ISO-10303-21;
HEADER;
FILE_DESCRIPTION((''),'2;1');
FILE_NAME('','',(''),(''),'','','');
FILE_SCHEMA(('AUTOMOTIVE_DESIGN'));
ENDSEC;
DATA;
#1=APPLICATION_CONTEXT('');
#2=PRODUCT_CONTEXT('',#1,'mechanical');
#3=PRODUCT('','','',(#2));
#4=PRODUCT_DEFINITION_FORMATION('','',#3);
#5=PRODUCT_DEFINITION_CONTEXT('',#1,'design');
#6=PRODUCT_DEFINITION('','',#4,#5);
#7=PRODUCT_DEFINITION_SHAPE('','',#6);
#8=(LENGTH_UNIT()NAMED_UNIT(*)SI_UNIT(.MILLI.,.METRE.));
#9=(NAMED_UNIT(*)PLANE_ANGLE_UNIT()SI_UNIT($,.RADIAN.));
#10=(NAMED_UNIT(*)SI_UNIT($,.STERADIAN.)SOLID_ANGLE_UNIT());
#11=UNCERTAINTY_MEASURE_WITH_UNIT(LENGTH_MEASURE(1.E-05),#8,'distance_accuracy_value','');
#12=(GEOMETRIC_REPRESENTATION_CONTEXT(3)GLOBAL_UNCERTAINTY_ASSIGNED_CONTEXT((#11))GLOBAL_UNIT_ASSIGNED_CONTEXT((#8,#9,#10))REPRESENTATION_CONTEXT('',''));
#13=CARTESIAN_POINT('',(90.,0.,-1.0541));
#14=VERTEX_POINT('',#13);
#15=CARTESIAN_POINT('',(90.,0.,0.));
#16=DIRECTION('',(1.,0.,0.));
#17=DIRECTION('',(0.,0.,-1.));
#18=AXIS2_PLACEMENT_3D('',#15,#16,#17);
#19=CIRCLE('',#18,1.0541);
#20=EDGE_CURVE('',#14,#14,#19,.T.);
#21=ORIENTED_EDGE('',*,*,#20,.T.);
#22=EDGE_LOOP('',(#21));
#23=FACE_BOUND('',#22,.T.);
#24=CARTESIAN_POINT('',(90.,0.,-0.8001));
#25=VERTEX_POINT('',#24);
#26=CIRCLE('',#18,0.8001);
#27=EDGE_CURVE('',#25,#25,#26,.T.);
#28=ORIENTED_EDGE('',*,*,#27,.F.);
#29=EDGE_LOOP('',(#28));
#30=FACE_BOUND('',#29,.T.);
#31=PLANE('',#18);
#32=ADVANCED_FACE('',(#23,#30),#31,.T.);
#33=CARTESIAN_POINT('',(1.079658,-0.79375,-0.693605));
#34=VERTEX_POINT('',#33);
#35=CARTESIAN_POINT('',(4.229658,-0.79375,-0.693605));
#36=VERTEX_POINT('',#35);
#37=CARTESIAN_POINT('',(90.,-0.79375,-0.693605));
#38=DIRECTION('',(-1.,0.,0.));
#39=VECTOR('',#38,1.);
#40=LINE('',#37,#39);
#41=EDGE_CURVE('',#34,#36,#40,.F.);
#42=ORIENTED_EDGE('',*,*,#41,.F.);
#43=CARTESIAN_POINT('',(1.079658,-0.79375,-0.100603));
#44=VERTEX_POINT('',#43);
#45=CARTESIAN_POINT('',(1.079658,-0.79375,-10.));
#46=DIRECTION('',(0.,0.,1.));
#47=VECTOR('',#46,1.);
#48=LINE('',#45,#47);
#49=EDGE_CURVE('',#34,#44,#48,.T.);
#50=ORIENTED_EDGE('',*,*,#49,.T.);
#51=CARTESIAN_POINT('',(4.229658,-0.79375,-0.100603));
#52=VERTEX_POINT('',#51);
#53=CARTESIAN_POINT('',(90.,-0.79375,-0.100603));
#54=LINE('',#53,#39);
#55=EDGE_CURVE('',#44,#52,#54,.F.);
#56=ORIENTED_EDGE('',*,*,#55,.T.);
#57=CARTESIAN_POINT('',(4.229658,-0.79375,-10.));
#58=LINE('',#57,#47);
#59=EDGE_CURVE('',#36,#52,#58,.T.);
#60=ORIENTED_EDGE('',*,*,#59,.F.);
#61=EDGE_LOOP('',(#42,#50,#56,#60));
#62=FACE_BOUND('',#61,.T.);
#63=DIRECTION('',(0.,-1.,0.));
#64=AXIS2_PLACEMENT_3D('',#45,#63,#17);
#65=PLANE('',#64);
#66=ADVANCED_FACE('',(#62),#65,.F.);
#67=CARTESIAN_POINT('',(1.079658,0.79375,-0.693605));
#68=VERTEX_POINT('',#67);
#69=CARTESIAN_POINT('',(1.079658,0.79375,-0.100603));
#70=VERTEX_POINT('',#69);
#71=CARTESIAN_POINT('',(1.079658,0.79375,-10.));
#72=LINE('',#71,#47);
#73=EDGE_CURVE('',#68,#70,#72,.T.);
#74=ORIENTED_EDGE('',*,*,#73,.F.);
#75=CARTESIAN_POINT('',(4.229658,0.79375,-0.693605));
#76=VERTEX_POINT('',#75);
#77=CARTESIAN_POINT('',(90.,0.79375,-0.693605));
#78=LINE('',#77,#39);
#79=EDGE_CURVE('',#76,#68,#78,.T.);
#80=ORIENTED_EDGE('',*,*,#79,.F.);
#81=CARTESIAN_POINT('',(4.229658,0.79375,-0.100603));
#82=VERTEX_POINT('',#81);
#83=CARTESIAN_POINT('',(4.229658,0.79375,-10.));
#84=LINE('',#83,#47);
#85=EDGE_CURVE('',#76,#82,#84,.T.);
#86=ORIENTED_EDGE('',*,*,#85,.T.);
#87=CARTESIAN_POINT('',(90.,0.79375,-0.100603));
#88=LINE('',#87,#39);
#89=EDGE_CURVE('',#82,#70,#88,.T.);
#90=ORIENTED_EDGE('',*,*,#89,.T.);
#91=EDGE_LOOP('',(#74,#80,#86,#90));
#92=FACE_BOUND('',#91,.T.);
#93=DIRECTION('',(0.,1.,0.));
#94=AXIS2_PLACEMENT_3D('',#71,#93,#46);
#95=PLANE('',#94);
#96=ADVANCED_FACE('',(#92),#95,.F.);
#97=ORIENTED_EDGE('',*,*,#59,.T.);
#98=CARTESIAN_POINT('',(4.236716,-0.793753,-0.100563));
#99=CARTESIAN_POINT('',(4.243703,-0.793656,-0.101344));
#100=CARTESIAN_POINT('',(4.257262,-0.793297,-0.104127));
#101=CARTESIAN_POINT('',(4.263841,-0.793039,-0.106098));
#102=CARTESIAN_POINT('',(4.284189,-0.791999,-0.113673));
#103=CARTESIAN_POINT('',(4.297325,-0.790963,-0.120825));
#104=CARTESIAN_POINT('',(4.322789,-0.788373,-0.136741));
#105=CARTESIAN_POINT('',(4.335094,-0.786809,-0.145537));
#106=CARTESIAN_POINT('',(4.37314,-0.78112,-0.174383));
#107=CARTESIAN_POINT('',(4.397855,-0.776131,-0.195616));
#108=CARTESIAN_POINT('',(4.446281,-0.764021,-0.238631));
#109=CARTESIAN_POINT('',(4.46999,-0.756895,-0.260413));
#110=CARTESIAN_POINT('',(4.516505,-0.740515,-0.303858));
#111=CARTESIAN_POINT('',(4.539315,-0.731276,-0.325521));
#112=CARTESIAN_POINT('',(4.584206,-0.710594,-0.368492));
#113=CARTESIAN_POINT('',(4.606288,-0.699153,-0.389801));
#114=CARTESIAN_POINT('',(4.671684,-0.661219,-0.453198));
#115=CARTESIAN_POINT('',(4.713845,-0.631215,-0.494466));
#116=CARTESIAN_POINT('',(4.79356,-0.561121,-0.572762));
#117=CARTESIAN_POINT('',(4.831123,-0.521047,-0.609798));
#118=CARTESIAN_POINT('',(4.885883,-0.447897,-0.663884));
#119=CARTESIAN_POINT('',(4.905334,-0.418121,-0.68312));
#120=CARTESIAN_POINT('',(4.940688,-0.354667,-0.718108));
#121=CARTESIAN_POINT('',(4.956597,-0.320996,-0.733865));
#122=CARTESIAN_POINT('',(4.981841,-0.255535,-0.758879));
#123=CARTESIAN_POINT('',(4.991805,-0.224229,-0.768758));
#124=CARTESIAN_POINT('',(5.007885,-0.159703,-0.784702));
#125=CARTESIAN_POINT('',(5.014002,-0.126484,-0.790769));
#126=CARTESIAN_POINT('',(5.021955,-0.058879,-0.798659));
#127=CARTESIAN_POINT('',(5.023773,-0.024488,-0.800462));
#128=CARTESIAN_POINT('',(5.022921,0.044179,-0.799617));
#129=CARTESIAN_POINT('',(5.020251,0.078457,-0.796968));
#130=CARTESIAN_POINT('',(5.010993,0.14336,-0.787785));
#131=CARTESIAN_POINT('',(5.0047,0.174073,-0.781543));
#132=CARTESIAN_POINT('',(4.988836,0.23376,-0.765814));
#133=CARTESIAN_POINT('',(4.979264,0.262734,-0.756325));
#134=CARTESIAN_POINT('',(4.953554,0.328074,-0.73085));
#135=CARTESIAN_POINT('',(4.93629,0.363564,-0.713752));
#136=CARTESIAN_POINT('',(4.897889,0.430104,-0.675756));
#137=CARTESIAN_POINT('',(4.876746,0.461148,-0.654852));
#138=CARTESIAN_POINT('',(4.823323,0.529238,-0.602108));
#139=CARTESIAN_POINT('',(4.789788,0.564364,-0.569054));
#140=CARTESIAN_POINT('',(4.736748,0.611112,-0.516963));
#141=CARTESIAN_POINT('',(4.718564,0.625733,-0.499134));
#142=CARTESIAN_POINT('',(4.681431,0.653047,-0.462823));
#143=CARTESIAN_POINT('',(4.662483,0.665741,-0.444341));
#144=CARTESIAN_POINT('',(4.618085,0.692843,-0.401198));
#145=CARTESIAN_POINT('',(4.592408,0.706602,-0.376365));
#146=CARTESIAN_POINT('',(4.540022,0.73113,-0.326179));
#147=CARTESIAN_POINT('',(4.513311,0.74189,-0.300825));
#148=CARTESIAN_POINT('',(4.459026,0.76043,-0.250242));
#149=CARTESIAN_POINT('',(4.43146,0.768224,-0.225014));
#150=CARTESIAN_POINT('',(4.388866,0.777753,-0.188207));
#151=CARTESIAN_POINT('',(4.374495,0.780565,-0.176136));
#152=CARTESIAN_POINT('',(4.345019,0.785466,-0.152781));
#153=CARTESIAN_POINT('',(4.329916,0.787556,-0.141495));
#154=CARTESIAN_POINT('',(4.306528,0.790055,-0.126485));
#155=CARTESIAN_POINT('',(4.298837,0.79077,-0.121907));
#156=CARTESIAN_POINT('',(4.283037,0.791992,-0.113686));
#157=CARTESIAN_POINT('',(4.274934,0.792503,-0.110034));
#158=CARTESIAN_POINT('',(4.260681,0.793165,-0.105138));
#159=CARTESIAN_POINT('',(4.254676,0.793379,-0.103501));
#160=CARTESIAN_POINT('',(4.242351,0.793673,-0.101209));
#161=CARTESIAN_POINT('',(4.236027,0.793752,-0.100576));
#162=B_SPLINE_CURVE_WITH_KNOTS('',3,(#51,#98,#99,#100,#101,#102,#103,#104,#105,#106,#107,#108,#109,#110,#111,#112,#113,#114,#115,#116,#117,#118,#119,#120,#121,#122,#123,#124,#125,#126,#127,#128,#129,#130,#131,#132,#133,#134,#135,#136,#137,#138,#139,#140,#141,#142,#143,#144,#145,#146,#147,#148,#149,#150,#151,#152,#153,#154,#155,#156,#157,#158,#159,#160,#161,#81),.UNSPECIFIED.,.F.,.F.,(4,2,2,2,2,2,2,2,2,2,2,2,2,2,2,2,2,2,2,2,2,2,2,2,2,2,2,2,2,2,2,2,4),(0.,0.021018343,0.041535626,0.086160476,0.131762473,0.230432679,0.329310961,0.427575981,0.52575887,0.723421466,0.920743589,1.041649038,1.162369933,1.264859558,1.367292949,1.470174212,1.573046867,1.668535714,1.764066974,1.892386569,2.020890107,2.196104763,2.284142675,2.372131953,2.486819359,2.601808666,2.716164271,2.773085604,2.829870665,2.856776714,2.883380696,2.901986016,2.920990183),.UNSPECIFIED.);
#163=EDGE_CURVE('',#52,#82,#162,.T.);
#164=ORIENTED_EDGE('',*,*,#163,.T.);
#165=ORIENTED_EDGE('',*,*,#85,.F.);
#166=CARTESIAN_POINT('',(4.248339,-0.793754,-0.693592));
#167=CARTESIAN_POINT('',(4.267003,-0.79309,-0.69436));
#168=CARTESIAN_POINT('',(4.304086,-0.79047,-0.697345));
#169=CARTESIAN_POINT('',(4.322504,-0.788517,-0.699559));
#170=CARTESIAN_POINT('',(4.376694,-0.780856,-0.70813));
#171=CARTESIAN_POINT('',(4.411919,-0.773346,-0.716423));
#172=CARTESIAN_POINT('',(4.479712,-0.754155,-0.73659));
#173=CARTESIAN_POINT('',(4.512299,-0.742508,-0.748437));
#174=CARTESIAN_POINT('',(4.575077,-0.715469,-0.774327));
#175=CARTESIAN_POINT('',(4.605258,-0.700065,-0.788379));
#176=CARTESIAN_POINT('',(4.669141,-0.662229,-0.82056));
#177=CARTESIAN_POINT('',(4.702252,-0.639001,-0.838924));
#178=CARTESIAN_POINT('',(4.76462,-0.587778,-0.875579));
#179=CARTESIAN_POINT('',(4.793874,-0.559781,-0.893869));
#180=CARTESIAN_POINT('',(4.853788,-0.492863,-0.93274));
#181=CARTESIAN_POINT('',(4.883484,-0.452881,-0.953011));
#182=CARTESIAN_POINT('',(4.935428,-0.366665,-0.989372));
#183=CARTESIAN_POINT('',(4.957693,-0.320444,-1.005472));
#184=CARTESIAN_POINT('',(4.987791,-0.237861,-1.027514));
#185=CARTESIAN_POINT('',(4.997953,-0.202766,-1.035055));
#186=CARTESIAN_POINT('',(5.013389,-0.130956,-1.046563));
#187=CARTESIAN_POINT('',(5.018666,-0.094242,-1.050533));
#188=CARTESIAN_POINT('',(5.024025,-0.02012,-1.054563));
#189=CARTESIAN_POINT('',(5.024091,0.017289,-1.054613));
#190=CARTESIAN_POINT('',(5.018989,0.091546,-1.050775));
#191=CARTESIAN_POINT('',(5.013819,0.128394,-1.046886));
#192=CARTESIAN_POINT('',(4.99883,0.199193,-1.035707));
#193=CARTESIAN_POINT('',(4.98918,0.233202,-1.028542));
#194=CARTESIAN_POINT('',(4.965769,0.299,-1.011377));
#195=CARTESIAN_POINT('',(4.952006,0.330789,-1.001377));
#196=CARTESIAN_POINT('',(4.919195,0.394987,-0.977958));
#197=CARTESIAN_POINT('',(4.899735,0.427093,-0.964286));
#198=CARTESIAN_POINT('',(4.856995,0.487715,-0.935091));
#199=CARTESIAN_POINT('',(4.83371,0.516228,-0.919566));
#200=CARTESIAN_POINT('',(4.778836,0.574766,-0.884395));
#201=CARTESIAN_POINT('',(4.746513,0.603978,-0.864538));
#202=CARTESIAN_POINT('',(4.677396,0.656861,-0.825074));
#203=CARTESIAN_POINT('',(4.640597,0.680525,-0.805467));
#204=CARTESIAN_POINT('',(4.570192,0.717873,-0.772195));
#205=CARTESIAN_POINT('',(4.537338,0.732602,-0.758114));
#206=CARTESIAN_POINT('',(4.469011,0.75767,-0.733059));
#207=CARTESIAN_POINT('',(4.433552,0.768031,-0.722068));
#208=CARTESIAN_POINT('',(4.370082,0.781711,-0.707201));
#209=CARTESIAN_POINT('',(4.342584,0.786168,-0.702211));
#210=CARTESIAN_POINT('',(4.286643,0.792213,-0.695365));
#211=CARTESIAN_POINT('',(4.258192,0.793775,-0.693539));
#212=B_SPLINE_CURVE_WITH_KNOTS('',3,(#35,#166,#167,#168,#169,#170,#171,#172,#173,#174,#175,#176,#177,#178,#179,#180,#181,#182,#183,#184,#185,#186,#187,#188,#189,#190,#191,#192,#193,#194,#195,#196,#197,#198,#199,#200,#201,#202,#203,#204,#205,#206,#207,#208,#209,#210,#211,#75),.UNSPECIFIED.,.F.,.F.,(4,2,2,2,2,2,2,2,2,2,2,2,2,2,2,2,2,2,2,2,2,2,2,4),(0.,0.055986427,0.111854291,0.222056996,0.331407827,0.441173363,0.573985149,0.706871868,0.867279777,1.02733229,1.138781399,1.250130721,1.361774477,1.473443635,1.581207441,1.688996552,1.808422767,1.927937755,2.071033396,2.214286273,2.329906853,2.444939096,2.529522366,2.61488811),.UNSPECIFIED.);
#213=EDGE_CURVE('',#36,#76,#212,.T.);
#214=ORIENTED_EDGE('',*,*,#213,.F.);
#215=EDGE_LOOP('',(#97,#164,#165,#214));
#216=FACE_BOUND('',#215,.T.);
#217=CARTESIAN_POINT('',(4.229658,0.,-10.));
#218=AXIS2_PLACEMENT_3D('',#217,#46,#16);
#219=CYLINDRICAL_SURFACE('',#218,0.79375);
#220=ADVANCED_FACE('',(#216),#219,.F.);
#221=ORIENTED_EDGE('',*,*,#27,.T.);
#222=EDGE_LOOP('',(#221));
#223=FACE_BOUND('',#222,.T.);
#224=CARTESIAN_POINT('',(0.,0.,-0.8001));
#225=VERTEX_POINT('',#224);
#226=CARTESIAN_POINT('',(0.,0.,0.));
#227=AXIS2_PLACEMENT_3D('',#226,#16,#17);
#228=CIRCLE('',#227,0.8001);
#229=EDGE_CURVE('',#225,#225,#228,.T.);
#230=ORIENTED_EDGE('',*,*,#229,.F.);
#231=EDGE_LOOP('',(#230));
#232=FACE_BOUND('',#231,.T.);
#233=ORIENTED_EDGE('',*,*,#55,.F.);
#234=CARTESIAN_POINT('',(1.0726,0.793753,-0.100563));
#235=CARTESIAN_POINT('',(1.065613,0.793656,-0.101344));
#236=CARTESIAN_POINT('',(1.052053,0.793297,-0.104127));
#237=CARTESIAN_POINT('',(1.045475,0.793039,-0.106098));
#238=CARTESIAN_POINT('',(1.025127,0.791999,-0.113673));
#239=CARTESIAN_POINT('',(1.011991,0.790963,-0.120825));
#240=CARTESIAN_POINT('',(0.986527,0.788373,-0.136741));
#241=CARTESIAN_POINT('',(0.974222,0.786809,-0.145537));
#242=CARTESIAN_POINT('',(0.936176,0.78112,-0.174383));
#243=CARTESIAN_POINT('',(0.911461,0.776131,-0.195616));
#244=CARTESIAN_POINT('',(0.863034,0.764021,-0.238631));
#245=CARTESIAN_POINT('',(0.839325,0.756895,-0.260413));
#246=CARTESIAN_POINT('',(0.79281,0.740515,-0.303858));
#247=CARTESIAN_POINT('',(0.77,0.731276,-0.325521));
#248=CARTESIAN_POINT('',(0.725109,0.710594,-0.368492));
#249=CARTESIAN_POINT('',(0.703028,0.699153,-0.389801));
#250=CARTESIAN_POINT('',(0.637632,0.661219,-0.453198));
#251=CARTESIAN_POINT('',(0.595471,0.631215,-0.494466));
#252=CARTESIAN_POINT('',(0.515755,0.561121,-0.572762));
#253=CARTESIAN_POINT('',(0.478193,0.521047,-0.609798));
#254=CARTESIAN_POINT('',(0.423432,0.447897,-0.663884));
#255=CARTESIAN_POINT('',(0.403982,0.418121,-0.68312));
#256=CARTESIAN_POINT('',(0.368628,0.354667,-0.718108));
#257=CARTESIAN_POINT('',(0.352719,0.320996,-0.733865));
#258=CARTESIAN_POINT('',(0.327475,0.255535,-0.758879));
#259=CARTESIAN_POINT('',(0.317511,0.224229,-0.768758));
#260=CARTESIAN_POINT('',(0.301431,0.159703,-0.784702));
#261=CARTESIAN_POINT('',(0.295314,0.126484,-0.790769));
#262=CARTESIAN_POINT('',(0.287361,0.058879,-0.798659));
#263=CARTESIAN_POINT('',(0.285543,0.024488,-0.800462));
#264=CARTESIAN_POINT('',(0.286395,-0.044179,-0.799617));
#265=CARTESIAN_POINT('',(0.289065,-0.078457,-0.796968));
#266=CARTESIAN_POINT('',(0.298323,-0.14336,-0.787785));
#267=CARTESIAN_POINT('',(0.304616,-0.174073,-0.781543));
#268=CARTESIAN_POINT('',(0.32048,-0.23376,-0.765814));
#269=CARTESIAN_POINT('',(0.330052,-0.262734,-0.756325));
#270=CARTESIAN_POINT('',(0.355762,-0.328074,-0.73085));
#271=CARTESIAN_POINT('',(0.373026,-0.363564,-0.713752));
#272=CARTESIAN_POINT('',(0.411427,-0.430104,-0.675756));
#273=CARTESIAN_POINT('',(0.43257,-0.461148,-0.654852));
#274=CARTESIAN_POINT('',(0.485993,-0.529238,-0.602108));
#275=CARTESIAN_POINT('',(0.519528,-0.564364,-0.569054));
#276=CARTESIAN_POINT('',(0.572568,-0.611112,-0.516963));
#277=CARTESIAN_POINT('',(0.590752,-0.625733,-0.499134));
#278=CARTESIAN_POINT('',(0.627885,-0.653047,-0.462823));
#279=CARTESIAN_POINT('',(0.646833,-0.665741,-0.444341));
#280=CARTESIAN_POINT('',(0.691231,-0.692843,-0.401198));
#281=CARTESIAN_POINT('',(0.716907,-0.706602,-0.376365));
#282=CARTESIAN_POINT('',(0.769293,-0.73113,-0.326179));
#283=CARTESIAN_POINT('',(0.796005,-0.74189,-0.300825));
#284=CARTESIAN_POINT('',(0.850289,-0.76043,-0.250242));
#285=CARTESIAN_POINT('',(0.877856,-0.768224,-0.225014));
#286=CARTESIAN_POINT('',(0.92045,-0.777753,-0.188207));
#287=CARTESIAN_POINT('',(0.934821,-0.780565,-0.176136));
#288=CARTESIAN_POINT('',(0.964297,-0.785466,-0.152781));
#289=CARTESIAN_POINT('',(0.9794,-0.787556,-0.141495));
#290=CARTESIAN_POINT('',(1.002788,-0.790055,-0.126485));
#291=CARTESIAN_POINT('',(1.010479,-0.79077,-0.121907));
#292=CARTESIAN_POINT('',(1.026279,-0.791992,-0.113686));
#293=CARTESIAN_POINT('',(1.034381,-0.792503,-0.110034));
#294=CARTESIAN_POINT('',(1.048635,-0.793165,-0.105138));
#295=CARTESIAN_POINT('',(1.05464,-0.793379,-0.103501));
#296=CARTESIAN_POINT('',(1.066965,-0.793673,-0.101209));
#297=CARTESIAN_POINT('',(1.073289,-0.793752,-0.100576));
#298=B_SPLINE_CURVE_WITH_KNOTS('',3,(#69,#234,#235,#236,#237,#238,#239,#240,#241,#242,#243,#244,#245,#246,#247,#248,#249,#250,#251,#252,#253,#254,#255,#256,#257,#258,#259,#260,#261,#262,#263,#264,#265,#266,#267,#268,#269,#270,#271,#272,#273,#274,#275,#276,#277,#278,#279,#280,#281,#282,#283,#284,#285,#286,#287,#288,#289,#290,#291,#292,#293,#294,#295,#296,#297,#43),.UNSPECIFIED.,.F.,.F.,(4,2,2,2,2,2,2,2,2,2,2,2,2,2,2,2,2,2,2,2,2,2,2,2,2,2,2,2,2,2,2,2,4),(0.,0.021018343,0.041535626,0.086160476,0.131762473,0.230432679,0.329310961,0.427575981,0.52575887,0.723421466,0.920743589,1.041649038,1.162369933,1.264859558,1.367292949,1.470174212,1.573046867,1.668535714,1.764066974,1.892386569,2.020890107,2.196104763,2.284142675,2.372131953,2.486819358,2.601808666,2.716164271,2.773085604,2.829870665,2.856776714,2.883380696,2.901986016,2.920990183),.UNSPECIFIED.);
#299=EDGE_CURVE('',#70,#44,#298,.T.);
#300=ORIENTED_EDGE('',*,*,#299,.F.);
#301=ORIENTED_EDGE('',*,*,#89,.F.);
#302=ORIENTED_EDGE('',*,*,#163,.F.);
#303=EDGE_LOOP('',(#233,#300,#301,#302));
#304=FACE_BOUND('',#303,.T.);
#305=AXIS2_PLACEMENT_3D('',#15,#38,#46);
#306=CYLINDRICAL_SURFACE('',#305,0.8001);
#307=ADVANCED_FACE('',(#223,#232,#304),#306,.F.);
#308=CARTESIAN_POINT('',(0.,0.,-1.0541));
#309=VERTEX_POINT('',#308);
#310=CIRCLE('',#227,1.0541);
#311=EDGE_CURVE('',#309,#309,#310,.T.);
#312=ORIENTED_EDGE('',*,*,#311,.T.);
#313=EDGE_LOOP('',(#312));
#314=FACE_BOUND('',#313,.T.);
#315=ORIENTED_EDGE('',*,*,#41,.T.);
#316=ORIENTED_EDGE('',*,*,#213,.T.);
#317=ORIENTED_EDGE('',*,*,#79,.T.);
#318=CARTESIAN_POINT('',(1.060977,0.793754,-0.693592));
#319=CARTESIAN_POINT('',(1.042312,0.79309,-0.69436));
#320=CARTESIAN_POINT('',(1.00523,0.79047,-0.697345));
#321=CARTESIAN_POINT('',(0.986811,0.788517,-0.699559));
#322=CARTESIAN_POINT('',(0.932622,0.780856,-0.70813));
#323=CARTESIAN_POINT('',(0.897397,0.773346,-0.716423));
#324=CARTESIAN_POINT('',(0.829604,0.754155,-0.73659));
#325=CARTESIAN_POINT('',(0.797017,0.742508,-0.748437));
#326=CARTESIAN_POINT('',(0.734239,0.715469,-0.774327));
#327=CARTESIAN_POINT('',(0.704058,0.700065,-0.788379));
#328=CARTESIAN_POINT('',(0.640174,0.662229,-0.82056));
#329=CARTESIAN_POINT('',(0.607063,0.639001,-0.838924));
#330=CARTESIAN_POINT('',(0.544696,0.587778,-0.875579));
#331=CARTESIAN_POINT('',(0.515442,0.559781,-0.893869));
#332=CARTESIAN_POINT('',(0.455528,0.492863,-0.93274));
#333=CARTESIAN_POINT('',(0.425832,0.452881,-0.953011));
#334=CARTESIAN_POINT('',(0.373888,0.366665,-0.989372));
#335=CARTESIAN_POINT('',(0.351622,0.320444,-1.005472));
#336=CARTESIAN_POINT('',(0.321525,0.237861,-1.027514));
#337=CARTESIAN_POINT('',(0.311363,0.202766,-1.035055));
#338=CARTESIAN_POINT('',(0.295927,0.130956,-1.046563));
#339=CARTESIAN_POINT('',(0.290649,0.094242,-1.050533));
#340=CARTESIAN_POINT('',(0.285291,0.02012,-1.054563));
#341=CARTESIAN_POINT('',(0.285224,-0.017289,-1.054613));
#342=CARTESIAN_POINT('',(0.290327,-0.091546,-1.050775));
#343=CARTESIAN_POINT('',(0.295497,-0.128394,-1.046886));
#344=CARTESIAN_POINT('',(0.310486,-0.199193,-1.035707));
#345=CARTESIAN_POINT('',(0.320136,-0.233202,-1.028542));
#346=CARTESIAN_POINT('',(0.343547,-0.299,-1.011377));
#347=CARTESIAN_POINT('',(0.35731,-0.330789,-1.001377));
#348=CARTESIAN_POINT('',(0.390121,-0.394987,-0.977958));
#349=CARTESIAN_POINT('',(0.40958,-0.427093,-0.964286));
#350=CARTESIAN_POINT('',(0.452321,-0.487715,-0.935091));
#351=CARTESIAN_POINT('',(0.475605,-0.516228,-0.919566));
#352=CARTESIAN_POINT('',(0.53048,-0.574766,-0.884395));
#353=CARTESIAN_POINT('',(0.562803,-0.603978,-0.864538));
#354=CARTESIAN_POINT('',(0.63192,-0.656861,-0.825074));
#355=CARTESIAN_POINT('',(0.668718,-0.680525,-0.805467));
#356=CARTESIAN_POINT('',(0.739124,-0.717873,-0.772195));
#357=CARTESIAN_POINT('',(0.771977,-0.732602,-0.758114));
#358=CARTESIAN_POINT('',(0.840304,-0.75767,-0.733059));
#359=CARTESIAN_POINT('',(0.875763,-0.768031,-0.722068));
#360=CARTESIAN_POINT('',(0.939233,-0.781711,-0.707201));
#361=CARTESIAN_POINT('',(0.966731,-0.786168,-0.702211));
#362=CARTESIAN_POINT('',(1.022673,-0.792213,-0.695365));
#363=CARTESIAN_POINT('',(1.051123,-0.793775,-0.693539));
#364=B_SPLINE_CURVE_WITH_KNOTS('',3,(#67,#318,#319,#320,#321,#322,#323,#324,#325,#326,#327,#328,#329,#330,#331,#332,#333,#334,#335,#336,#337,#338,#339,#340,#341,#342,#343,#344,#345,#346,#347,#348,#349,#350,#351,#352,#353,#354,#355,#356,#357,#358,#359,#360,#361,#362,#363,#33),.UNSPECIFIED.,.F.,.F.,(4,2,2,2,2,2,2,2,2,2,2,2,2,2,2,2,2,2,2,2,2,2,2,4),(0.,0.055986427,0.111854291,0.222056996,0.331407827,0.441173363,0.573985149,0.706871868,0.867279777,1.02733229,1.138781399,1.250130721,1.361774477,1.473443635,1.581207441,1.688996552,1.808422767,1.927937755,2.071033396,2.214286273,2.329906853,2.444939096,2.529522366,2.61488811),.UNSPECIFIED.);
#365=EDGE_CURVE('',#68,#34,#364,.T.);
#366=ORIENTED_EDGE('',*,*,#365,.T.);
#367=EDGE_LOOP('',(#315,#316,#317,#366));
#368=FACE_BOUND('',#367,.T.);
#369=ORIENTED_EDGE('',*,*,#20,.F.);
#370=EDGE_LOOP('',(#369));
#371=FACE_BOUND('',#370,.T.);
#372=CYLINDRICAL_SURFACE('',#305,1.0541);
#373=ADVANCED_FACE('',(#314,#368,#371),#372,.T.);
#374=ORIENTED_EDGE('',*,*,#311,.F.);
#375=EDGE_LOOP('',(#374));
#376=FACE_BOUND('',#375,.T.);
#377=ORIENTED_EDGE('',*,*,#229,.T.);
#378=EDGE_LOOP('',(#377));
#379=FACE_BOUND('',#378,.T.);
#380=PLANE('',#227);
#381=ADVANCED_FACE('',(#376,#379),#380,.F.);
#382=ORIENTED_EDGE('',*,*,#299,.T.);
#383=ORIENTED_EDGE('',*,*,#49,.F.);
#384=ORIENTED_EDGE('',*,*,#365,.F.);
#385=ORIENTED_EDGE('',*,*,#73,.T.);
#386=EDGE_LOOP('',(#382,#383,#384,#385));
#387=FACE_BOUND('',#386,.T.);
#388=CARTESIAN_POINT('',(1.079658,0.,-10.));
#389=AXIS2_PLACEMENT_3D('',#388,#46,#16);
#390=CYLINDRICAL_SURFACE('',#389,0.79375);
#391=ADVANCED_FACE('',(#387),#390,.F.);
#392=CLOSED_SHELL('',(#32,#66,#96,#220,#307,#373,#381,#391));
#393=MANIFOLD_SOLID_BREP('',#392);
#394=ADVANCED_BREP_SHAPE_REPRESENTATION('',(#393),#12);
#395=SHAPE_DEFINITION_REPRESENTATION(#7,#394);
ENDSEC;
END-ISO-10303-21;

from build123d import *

# Parameters (mm, degrees)
SKETCH1_R           = 1.0541
SKETCH1_R_2         = 0.8001
BOSS_EXTRUDE1_DEPTH = 90
CUT_EXTRUDE2_DEPTH  = 10


with BuildPart() as part:
    # Sketch1 → Boss-Extrude1 (new body)
    with BuildSketch(Plane(origin=(0, 0, 0), x_dir=(0, 0, -1), z_dir=(1, 0, 0))):
        Circle(SKETCH1_R)
        Circle(SKETCH1_R_2, mode=Mode.SUBTRACT)
    extrude(amount=BOSS_EXTRUDE1_DEPTH)

    # Sketch3 → Cut-Extrude2 (cut)
    with BuildSketch(Plane.XY):
        with BuildLine():
            Line((1.079657865, 0.79375), (4.229657865, 0.79375))
            ThreePointArc((4.229657865, 0.79375), (5.023407865, 0), (4.229657865, -0.79375))
            Line((4.229657865, -0.79375), (1.079657865, -0.79375))
            ThreePointArc((1.079657865, -0.79375), (0.285907865, 0), (1.079657865, 0.79375))
        make_face()
    extrude(amount=-CUT_EXTRUDE2_DEPTH, mode=Mode.SUBTRACT)


solid = part.part
